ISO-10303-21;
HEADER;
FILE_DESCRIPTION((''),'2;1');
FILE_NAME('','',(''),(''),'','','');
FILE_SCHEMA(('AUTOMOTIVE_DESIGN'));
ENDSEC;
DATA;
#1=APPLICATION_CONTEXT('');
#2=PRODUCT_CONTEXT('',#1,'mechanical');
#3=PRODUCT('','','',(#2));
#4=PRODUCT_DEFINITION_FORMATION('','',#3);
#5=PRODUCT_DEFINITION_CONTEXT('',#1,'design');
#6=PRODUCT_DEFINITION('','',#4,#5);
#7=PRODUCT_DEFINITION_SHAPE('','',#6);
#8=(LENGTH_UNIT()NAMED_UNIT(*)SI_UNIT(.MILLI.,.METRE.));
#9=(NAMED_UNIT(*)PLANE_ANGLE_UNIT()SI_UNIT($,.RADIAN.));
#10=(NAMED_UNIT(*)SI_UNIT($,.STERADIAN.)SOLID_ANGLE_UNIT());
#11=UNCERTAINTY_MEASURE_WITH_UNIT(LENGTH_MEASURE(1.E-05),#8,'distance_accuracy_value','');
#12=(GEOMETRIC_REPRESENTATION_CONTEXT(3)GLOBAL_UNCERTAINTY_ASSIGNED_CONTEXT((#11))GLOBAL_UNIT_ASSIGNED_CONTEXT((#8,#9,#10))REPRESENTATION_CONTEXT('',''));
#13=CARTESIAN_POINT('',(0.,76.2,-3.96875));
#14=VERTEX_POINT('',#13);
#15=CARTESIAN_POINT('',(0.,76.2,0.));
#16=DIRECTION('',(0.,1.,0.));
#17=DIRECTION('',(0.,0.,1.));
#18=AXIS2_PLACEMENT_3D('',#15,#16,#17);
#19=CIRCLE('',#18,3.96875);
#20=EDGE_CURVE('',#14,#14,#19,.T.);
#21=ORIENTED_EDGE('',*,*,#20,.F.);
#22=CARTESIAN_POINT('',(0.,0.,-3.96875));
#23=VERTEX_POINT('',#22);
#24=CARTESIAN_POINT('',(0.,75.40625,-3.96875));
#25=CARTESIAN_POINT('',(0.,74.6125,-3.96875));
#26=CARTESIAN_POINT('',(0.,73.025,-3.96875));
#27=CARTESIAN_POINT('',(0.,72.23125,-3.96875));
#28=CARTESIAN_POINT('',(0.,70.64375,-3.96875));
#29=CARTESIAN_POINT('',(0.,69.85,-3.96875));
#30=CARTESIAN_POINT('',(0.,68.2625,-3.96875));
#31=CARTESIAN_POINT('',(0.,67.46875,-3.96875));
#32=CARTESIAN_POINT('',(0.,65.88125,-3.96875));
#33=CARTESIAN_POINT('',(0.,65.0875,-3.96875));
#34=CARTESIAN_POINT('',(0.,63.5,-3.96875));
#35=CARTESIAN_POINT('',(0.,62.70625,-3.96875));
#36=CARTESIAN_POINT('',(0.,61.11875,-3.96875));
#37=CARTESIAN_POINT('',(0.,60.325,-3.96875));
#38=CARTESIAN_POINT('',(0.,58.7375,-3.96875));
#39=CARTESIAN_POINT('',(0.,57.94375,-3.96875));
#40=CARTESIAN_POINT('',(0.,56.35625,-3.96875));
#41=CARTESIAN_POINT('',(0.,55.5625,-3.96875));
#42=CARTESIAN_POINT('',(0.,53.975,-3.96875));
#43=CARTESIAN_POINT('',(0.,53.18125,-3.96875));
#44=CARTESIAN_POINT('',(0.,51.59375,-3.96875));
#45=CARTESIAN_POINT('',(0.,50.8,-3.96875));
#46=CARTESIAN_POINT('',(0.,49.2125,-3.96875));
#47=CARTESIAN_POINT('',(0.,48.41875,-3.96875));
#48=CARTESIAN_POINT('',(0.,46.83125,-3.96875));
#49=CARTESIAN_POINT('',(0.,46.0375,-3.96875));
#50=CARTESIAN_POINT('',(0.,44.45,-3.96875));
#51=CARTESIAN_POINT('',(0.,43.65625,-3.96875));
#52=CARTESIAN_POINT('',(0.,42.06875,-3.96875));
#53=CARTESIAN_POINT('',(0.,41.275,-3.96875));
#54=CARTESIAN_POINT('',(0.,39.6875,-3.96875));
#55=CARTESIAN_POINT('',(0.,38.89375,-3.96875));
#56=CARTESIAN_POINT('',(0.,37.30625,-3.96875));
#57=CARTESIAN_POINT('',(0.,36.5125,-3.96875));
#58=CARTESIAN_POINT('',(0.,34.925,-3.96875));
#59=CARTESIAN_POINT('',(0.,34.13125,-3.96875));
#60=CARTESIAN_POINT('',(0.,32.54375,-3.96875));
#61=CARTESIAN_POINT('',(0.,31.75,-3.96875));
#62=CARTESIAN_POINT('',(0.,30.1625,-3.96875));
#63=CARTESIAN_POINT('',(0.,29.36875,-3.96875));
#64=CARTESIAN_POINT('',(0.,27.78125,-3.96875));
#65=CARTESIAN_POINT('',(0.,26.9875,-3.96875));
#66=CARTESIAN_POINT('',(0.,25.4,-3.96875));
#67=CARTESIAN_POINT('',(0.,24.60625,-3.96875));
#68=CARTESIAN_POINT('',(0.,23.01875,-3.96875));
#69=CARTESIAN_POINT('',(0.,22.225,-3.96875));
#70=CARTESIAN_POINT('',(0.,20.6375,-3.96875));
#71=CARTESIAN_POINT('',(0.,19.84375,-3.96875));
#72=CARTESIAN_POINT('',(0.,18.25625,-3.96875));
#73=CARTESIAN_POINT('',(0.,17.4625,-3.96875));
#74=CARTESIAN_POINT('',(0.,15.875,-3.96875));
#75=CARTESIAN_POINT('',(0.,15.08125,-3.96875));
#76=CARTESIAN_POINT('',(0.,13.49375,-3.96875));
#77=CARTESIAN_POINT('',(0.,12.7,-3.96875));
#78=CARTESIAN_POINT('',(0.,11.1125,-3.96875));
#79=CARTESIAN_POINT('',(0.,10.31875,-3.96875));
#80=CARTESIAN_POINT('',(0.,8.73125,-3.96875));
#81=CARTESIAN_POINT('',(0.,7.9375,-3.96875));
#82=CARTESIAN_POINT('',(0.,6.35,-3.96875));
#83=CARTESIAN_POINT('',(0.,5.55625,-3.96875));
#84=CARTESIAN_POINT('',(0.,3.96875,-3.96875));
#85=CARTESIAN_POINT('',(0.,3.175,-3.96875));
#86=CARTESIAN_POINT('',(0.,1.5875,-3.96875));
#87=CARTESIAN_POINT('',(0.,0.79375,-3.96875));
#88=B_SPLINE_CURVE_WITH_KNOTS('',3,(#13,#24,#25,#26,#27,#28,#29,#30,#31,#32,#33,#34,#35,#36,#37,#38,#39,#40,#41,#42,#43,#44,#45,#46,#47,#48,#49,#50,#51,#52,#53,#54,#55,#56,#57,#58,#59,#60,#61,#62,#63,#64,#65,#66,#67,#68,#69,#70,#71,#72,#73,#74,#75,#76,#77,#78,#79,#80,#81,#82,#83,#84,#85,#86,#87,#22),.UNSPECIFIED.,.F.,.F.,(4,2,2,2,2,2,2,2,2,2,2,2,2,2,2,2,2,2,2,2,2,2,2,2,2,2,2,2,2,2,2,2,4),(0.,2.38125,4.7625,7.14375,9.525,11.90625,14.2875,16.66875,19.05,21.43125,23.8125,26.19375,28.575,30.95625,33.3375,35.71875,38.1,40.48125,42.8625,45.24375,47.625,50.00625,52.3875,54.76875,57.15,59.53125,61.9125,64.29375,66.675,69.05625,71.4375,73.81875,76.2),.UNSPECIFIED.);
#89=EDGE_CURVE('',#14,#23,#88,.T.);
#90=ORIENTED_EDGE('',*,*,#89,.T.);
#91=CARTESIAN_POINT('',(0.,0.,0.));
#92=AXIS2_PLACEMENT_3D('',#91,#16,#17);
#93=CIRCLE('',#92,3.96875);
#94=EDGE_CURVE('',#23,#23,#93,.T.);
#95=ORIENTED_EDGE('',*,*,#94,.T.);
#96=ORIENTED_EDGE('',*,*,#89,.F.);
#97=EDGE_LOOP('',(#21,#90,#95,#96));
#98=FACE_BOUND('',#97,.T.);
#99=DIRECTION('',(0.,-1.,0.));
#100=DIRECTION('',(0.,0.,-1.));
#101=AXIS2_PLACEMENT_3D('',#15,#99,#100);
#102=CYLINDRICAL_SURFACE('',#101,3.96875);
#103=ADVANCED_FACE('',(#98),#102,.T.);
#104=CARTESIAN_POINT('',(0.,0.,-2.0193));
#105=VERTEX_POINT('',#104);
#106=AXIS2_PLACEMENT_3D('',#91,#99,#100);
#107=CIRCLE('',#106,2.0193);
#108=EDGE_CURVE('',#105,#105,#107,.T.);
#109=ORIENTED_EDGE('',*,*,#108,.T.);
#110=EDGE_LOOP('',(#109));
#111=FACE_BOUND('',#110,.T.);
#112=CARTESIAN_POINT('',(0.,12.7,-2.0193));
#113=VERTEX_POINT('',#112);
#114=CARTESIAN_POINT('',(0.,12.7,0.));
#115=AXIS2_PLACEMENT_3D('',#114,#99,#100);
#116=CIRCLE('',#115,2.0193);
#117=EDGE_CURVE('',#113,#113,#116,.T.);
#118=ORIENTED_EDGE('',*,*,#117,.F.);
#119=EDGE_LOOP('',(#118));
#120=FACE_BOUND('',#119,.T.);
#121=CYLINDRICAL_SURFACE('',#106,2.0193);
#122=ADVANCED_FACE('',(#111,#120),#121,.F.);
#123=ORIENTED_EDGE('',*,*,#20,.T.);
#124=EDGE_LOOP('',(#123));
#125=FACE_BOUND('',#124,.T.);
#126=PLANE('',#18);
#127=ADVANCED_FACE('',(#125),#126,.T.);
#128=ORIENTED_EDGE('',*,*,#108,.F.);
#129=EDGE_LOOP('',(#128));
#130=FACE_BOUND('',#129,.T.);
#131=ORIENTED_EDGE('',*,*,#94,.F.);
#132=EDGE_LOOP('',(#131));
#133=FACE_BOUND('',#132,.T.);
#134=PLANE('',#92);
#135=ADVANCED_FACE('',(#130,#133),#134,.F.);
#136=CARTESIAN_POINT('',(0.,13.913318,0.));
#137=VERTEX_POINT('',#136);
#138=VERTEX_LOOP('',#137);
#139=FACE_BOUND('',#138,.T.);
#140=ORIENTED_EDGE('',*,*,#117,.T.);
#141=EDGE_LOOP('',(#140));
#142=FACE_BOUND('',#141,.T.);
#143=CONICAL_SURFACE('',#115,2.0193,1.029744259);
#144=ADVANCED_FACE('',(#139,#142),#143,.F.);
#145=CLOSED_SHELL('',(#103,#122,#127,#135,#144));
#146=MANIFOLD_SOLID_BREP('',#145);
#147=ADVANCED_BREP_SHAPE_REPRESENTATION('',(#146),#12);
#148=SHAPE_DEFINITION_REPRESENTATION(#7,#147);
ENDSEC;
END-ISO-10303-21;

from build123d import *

# Parameters (mm, degrees)
SKETCH1_R                  = 3.96875
BOSS_EXTRUDE1_DEPTH        = 76.2
F_10_32_TAPPED_HOLE1_D     = 4.0386
F_10_32_TAPPED_HOLE1_DEPTH = 12.7
F_10_32_TAPPED_HOLE1_TIP   = 1.213317848


with BuildPart() as part:
    # Sketch1 → Boss-Extrude1 (new body)
    with BuildSketch(Plane(origin=(0, 0, 0), x_dir=(1, 0, 0), z_dir=(0, 1, 0))):
        with Locations(Location((0, 0, 0), (0, 0, 90))):
            Circle(SKETCH1_R)
    extrude(amount=BOSS_EXTRUDE1_DEPTH)

    # #10-32 Tapped Hole1
    with Locations(Plane(origin=(0, 0, 0), x_dir=(-1, 0, 0), z_dir=(0, -1, 0))):
        with Locations((0, 0)):
            Hole(F_10_32_TAPPED_HOLE1_D / 2, depth=F_10_32_TAPPED_HOLE1_DEPTH)
            with Locations((0, 0, -(F_10_32_TAPPED_HOLE1_DEPTH + F_10_32_TAPPED_HOLE1_TIP / 2))):  # 118° drill point
                Cone(0, F_10_32_TAPPED_HOLE1_D / 2, F_10_32_TAPPED_HOLE1_TIP, mode=Mode.SUBTRACT)


solid = part.part
